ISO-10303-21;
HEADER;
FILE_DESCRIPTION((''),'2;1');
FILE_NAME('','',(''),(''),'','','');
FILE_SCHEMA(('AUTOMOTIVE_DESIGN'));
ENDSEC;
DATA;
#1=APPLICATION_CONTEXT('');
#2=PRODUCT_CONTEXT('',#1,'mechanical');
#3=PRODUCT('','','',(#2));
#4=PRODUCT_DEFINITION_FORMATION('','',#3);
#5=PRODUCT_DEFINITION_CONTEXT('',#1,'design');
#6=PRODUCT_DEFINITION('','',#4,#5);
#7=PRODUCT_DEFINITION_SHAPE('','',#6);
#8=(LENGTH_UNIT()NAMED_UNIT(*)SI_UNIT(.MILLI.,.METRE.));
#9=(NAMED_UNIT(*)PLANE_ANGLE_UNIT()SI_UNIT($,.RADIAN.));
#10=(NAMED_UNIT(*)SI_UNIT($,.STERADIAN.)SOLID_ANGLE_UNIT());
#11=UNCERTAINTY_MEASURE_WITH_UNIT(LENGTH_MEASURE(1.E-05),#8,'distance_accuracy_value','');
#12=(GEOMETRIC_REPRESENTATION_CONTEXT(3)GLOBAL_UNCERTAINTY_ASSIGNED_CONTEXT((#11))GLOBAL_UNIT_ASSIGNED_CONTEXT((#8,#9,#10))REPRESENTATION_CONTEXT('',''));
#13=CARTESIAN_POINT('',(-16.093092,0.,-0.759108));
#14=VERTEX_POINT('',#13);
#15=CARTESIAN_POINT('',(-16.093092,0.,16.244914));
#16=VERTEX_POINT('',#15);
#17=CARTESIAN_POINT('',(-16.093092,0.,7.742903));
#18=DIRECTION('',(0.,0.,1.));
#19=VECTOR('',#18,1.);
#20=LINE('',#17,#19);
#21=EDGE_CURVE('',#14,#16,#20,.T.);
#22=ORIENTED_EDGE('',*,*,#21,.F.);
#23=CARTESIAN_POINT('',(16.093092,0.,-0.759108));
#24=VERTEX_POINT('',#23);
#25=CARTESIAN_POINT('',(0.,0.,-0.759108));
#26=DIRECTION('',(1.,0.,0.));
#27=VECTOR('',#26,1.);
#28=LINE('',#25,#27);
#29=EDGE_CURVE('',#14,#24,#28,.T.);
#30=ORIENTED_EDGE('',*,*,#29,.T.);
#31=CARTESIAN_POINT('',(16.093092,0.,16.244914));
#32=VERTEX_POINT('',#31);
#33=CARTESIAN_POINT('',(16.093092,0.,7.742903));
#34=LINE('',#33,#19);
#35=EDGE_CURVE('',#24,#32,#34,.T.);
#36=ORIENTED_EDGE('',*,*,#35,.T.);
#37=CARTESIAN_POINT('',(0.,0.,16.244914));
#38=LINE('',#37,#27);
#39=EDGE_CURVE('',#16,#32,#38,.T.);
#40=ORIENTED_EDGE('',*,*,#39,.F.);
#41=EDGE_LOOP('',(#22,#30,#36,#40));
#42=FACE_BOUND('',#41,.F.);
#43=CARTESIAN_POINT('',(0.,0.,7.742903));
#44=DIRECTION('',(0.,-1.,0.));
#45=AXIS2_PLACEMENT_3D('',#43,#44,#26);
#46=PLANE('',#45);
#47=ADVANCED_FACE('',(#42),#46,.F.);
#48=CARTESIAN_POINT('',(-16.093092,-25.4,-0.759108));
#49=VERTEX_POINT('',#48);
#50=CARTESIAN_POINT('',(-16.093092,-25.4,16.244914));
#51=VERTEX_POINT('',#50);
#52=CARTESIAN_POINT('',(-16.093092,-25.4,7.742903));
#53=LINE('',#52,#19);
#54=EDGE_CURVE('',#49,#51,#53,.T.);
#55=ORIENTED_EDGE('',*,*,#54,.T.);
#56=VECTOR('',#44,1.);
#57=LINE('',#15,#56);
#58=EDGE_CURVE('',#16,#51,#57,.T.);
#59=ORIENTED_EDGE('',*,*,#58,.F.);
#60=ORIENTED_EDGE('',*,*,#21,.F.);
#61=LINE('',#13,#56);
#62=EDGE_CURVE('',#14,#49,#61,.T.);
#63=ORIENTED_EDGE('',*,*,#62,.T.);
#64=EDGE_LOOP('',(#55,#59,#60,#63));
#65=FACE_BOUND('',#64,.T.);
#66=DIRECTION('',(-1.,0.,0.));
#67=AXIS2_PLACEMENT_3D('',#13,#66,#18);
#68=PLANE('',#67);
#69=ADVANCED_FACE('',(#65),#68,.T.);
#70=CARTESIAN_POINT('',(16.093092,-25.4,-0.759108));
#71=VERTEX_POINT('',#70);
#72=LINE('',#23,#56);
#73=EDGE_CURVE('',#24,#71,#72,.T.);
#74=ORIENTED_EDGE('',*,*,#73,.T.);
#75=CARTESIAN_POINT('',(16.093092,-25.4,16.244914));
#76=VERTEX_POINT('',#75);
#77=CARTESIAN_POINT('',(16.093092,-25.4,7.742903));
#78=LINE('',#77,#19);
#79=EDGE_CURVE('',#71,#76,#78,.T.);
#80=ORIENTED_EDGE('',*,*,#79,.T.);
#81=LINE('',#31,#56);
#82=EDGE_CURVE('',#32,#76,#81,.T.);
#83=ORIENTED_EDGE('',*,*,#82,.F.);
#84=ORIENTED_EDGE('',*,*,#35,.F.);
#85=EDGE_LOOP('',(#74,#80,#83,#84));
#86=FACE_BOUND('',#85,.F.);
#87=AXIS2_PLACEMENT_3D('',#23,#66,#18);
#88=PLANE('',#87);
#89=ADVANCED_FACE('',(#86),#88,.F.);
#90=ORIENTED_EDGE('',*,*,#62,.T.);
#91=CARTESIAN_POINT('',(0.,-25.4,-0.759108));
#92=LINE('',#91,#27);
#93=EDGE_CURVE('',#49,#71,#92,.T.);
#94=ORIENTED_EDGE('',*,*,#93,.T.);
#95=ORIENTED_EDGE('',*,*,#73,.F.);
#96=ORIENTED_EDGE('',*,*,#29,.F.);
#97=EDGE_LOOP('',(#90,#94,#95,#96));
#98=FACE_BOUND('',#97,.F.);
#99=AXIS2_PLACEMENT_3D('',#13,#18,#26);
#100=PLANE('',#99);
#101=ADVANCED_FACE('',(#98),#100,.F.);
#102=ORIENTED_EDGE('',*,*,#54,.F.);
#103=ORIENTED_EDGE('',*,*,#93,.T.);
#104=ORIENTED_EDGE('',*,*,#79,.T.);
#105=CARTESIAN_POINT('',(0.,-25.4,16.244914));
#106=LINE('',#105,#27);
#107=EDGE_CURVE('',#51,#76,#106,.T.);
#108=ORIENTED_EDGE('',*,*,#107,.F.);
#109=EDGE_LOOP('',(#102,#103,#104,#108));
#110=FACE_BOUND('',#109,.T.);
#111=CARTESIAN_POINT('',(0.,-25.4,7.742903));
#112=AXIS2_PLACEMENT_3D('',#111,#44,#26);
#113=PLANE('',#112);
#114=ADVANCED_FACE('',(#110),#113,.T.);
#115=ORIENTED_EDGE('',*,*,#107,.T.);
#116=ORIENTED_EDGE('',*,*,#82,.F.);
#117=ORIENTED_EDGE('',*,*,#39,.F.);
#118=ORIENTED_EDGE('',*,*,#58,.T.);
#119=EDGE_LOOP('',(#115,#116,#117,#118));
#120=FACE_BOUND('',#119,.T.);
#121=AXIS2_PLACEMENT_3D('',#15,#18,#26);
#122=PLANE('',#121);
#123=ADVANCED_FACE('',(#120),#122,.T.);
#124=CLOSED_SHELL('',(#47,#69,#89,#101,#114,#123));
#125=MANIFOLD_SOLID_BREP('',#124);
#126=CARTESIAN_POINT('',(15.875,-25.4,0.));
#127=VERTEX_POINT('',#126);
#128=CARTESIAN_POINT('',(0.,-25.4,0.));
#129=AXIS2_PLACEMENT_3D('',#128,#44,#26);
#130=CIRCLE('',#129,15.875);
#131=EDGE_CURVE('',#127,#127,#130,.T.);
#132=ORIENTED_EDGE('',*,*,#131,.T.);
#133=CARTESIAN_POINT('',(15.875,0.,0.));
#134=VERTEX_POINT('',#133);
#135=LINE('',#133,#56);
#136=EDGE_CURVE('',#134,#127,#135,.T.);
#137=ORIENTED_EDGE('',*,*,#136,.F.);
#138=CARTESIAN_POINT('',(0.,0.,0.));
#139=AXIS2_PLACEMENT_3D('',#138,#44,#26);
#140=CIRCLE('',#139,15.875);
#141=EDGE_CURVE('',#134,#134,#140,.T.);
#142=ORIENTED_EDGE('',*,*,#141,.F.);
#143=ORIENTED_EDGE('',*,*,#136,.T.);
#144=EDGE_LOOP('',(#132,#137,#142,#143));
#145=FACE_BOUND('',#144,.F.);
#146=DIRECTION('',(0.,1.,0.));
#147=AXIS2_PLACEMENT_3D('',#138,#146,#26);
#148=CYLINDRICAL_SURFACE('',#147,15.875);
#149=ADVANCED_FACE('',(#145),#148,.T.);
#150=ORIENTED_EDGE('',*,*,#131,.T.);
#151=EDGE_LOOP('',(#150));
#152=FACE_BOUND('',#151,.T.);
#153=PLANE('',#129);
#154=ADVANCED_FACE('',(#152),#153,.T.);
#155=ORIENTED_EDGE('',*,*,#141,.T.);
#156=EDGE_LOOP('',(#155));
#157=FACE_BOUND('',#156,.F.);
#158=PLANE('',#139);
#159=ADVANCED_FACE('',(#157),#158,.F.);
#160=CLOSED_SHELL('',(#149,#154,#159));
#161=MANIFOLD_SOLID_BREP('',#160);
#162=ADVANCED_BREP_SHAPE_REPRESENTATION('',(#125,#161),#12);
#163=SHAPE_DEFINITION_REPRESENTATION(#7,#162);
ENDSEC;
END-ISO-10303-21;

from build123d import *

# Parameters (mm, degrees)
F0_R     = 15.875
F2_DEPTH = 25.4
F1_W     = 32.1861840785
F1_H     = 17.0040223747


with BuildPart() as f2:
    # F0 (on Front) → F2 (new body)
    with BuildSketch(Plane.XZ):
        Circle(F0_R)
    extrude(amount=F2_DEPTH)


with BuildPart() as f2b:
    # F1 (on Front) → F2, piece 2 (new body)
    with BuildSketch(Plane.XZ):
        with Locations((0, 7.7429031953)):
            Rectangle(F1_W, F1_H)
    extrude(amount=F2_DEPTH)


solid = Compound([f2.part, f2b.part])
